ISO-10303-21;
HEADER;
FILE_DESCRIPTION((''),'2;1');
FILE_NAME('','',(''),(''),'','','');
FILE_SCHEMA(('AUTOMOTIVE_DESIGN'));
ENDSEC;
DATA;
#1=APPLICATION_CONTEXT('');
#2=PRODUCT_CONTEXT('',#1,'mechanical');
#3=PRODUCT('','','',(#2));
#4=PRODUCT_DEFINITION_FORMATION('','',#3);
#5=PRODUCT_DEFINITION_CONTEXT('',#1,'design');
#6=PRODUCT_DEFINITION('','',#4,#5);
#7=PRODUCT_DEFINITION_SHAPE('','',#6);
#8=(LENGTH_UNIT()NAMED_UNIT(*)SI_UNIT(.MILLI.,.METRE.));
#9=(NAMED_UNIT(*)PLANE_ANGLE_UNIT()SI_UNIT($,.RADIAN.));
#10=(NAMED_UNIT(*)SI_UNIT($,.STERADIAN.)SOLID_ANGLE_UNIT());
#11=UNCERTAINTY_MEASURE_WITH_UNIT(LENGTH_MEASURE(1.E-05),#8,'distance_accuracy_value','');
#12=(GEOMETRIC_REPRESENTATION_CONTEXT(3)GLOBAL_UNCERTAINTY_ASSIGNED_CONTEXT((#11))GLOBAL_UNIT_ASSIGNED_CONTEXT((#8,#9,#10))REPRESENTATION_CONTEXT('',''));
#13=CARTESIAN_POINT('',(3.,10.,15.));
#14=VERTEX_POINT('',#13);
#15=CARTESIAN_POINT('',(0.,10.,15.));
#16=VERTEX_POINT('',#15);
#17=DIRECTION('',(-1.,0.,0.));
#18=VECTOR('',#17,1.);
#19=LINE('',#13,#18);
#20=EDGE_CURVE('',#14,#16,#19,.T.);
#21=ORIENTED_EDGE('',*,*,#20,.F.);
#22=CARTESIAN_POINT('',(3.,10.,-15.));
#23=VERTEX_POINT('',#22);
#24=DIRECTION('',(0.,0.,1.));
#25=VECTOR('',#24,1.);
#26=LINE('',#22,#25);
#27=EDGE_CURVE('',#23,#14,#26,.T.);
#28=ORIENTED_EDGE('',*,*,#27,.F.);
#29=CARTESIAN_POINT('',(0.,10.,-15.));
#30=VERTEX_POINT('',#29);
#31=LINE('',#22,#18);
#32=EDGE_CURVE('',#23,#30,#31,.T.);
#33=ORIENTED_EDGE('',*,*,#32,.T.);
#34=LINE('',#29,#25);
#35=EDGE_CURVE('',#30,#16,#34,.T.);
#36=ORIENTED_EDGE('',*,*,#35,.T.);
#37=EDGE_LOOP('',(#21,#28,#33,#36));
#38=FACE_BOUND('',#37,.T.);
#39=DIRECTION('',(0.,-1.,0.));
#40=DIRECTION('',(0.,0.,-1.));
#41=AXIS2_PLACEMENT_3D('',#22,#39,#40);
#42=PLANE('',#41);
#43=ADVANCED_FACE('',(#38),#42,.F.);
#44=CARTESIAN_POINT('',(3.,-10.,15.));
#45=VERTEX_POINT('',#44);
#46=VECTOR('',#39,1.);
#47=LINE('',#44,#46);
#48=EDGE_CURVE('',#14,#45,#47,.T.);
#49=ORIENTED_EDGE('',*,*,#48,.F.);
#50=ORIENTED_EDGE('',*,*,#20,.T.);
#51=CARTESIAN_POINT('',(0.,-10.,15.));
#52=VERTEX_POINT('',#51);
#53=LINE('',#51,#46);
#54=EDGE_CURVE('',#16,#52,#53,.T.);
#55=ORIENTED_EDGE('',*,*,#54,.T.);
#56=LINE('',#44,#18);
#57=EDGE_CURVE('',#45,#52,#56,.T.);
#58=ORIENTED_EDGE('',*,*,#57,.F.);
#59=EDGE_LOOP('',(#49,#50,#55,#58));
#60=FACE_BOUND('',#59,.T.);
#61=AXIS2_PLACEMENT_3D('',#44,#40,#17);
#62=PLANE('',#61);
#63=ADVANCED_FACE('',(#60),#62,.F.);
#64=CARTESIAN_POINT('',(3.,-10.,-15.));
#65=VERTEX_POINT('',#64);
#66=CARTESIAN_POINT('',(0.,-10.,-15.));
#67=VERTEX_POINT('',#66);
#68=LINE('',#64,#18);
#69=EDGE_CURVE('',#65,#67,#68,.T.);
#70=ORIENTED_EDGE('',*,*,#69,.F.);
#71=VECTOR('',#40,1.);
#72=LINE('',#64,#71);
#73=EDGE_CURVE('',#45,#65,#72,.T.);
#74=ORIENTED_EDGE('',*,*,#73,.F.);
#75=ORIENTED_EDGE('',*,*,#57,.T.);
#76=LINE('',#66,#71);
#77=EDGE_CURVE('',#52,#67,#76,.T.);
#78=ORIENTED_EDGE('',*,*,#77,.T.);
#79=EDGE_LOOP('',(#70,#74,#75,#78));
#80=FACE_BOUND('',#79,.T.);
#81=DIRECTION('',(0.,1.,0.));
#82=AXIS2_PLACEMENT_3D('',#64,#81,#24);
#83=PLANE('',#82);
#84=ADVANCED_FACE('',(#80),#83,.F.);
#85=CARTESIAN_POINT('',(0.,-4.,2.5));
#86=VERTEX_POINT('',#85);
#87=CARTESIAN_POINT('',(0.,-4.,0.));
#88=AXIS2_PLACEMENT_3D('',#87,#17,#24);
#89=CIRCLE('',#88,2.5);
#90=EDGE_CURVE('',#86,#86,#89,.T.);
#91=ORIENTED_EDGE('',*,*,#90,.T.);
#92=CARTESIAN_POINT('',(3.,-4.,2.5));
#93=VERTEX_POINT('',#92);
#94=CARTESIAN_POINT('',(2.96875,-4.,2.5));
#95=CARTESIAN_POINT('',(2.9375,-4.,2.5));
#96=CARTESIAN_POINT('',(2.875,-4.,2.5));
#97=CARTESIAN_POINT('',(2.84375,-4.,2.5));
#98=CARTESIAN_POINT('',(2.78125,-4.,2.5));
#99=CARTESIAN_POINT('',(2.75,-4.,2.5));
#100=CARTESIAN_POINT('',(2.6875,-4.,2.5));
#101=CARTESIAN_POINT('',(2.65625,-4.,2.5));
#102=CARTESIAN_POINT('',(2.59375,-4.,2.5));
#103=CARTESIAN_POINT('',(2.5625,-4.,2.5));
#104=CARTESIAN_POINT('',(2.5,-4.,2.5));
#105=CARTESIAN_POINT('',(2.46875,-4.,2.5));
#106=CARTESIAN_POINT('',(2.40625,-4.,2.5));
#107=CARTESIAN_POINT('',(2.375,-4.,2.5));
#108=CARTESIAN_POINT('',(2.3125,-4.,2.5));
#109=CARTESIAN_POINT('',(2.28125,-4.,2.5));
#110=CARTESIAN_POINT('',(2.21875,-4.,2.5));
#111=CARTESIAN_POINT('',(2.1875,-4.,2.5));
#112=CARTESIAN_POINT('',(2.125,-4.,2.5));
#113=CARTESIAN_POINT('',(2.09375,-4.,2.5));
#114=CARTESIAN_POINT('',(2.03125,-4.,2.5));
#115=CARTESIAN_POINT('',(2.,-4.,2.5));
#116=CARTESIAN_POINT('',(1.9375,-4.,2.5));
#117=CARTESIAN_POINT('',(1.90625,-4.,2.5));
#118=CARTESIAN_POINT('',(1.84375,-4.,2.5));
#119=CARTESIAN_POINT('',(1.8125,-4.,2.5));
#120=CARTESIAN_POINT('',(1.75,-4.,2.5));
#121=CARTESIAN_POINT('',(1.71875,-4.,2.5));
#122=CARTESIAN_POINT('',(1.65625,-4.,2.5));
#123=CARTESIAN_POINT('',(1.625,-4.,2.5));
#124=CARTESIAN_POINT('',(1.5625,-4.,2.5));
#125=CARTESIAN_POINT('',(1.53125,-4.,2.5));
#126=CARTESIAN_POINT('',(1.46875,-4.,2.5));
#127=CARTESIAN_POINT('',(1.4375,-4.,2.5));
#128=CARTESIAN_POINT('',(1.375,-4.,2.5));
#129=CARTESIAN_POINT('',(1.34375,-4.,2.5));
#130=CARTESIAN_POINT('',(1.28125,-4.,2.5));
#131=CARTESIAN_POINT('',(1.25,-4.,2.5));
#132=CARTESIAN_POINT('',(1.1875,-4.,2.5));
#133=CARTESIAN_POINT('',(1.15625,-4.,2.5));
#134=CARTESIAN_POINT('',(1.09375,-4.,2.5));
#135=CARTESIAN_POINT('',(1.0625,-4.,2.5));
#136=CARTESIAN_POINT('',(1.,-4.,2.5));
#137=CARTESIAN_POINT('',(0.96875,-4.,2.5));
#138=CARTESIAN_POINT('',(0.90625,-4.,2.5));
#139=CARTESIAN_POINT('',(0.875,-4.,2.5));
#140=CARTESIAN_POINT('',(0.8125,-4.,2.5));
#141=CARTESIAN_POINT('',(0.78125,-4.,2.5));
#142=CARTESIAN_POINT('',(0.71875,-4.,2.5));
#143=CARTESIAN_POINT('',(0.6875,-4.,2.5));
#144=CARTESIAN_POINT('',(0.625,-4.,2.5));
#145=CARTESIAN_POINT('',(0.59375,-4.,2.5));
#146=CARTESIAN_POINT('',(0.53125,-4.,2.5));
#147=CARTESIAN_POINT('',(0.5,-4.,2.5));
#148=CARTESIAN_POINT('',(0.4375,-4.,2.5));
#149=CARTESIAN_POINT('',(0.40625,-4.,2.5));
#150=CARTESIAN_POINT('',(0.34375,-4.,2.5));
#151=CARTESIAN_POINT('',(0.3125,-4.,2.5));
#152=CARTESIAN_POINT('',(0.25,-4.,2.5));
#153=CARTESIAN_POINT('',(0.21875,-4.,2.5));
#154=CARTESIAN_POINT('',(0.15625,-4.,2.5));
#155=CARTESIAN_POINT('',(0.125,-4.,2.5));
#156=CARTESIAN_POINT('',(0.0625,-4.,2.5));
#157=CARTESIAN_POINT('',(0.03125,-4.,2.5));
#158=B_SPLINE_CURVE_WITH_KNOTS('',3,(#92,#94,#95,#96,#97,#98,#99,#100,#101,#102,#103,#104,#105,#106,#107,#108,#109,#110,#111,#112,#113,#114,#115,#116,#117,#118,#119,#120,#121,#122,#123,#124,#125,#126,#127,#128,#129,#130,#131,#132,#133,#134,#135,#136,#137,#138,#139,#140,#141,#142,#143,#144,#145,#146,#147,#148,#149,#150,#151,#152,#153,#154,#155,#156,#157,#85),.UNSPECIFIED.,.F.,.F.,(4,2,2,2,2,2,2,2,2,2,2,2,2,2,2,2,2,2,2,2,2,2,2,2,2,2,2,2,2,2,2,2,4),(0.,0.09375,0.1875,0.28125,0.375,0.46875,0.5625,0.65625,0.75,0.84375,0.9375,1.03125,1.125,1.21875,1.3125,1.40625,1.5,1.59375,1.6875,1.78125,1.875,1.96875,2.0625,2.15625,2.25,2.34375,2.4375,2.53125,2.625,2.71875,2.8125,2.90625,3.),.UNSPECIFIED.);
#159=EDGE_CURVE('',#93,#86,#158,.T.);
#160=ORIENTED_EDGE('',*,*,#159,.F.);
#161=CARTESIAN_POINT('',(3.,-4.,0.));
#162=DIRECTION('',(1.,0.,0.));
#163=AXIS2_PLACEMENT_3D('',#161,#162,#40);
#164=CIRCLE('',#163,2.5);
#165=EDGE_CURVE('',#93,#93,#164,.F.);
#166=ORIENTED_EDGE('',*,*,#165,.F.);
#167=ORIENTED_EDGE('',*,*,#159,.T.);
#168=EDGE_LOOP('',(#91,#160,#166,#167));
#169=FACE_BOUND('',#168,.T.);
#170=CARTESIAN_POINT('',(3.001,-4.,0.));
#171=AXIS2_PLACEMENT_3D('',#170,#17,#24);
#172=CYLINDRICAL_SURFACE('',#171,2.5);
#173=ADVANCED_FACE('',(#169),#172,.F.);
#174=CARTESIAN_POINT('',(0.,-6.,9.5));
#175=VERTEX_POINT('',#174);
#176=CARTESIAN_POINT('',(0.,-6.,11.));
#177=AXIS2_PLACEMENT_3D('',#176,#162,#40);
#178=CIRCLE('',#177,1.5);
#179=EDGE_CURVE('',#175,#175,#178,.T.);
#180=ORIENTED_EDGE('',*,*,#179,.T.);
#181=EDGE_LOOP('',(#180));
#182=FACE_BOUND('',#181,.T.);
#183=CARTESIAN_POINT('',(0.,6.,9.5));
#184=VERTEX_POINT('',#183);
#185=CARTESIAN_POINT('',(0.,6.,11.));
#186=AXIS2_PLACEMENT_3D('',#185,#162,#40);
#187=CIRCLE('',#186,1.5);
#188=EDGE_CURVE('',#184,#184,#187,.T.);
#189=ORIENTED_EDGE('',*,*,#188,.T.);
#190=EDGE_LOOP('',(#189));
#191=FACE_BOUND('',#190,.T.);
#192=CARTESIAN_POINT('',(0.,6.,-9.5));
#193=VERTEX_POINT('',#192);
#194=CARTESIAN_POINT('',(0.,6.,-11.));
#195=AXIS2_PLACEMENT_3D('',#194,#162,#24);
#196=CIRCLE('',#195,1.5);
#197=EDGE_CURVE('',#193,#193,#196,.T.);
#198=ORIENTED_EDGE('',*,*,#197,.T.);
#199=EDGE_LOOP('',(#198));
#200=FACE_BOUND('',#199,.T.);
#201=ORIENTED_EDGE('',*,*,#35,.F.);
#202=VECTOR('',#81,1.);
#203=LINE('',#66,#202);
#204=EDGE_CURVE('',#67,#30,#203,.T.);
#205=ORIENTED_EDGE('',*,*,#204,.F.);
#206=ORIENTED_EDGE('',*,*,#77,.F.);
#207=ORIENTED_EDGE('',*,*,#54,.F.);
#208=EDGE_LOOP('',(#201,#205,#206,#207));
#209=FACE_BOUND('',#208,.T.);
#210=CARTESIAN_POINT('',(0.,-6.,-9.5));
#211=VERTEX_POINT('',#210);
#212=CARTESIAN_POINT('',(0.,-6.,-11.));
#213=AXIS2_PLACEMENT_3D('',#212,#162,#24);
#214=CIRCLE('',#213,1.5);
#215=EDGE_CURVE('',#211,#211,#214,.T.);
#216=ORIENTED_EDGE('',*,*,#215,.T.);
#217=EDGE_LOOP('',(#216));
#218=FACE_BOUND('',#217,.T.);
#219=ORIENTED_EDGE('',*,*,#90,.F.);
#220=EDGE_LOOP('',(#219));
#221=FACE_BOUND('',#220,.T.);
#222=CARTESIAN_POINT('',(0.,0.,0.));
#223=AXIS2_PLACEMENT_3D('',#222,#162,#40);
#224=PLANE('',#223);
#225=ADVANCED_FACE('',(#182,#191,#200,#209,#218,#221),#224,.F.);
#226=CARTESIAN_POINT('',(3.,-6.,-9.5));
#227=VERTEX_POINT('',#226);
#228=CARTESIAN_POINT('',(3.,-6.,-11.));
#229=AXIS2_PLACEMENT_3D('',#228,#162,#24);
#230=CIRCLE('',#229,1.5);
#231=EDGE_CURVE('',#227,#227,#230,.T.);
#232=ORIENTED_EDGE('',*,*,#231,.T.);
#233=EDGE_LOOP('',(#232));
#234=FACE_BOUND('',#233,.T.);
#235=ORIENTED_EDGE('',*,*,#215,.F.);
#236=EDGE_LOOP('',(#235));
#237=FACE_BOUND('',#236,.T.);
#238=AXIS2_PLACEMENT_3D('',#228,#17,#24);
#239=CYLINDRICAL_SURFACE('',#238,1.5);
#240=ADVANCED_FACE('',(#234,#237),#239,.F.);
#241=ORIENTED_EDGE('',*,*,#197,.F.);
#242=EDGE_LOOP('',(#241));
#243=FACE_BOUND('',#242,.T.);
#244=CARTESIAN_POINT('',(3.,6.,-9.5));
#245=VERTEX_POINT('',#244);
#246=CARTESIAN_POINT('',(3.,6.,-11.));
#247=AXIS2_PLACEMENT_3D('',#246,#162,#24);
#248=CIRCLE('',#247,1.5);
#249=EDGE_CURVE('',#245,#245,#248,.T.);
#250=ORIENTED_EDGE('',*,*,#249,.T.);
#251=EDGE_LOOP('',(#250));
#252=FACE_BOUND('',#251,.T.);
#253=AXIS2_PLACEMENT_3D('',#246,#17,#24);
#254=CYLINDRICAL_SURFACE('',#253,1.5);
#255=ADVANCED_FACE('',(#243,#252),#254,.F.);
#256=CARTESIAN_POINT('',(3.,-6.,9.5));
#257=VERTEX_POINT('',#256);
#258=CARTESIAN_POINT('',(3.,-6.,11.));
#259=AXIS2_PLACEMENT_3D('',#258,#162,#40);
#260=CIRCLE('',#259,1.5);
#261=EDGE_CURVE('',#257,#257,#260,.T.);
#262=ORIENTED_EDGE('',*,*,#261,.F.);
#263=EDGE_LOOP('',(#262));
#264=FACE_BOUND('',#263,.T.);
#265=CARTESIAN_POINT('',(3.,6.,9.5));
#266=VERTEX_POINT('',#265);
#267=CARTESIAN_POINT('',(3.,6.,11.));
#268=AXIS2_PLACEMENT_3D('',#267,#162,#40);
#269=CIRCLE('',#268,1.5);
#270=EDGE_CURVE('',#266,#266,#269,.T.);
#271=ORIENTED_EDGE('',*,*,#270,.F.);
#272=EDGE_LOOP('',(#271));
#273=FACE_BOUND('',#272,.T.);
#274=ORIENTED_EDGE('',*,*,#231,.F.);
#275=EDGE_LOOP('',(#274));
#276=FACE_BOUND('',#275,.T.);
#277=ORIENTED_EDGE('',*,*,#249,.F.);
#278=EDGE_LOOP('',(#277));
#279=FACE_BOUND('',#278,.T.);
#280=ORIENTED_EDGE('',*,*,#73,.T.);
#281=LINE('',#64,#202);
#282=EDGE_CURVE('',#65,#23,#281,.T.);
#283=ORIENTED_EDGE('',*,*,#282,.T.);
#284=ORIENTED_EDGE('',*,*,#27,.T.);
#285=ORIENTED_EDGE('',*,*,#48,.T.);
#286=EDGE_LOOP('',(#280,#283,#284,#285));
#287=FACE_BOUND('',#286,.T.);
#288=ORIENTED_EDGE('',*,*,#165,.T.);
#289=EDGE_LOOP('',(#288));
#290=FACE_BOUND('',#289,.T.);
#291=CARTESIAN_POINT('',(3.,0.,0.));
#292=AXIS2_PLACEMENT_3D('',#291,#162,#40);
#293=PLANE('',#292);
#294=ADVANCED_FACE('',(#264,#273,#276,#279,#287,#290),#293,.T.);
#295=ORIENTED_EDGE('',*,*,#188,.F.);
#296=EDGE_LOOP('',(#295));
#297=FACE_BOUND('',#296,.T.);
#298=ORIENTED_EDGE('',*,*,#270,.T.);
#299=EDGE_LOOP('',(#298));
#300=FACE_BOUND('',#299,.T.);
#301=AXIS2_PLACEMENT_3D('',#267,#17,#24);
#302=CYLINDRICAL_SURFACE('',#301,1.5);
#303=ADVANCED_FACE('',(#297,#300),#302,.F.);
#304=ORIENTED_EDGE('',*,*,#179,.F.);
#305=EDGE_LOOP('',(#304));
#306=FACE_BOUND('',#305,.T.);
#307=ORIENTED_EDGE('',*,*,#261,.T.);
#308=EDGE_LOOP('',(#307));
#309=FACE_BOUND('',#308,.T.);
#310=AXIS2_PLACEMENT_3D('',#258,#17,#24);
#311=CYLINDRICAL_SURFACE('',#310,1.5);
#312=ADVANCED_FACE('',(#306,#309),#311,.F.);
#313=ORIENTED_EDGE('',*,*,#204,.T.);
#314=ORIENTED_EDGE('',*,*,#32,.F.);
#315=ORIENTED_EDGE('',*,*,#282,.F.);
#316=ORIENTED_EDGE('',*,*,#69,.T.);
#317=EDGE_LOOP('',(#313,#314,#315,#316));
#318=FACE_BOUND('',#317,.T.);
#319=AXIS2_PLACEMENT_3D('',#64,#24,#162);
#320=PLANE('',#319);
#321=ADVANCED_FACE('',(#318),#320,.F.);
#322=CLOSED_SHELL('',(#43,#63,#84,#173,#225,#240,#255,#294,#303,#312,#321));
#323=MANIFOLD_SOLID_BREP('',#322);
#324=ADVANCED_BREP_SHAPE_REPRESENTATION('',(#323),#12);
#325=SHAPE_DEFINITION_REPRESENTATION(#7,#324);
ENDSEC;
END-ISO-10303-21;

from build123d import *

# Parameters (mm, degrees)
SKETCH_1_W          = 30
SKETCH_1_H          = 20
SKETCH_1_R          = 1.5
EXTRUDE_1_DEPTH     = 3
CUT_EXTRUDE_1_REACH = 20.276
SKETCH_2_R          = 2.5


with BuildPart() as part:
    # 草图1 → 凸台-拉伸1 (new body)
    with BuildSketch(Plane(origin=(0, 0, 0), x_dir=(0, 0, -1), z_dir=(1, 0, 0))):
        Rectangle(SKETCH_1_W, SKETCH_1_H)
        with Locations((-11, 6)):
            Circle(SKETCH_1_R, mode=Mode.SUBTRACT)
        with Locations((-11, -6)):
            Circle(SKETCH_1_R, mode=Mode.SUBTRACT)
        with Locations(Location((11, -6, 0), (0, 0, 180))):
            Circle(SKETCH_1_R, mode=Mode.SUBTRACT)
        with Locations(Location((11, 6, 0), (0, 0, 180))):
            Circle(SKETCH_1_R, mode=Mode.SUBTRACT)
    extrude(amount=EXTRUDE_1_DEPTH)

    # 草图2 → 切除-拉伸1 (cut, up to next)
    with BuildSketch(Plane.ZY, mode=Mode.PRIVATE) as cut_extrude_1_sk1:
        with Locations((0, -4)):
            Circle(SKETCH_2_R)
    cut_extrude_1_tool1 = extrude(cut_extrude_1_sk1.sketch, amount=-CUT_EXTRUDE_1_REACH, mode=Mode.PRIVATE) & part.part
    add(cut_extrude_1_tool1.solids().sort_by_distance((0, -4, 0))[0], mode=Mode.SUBTRACT)


solid = part.part
